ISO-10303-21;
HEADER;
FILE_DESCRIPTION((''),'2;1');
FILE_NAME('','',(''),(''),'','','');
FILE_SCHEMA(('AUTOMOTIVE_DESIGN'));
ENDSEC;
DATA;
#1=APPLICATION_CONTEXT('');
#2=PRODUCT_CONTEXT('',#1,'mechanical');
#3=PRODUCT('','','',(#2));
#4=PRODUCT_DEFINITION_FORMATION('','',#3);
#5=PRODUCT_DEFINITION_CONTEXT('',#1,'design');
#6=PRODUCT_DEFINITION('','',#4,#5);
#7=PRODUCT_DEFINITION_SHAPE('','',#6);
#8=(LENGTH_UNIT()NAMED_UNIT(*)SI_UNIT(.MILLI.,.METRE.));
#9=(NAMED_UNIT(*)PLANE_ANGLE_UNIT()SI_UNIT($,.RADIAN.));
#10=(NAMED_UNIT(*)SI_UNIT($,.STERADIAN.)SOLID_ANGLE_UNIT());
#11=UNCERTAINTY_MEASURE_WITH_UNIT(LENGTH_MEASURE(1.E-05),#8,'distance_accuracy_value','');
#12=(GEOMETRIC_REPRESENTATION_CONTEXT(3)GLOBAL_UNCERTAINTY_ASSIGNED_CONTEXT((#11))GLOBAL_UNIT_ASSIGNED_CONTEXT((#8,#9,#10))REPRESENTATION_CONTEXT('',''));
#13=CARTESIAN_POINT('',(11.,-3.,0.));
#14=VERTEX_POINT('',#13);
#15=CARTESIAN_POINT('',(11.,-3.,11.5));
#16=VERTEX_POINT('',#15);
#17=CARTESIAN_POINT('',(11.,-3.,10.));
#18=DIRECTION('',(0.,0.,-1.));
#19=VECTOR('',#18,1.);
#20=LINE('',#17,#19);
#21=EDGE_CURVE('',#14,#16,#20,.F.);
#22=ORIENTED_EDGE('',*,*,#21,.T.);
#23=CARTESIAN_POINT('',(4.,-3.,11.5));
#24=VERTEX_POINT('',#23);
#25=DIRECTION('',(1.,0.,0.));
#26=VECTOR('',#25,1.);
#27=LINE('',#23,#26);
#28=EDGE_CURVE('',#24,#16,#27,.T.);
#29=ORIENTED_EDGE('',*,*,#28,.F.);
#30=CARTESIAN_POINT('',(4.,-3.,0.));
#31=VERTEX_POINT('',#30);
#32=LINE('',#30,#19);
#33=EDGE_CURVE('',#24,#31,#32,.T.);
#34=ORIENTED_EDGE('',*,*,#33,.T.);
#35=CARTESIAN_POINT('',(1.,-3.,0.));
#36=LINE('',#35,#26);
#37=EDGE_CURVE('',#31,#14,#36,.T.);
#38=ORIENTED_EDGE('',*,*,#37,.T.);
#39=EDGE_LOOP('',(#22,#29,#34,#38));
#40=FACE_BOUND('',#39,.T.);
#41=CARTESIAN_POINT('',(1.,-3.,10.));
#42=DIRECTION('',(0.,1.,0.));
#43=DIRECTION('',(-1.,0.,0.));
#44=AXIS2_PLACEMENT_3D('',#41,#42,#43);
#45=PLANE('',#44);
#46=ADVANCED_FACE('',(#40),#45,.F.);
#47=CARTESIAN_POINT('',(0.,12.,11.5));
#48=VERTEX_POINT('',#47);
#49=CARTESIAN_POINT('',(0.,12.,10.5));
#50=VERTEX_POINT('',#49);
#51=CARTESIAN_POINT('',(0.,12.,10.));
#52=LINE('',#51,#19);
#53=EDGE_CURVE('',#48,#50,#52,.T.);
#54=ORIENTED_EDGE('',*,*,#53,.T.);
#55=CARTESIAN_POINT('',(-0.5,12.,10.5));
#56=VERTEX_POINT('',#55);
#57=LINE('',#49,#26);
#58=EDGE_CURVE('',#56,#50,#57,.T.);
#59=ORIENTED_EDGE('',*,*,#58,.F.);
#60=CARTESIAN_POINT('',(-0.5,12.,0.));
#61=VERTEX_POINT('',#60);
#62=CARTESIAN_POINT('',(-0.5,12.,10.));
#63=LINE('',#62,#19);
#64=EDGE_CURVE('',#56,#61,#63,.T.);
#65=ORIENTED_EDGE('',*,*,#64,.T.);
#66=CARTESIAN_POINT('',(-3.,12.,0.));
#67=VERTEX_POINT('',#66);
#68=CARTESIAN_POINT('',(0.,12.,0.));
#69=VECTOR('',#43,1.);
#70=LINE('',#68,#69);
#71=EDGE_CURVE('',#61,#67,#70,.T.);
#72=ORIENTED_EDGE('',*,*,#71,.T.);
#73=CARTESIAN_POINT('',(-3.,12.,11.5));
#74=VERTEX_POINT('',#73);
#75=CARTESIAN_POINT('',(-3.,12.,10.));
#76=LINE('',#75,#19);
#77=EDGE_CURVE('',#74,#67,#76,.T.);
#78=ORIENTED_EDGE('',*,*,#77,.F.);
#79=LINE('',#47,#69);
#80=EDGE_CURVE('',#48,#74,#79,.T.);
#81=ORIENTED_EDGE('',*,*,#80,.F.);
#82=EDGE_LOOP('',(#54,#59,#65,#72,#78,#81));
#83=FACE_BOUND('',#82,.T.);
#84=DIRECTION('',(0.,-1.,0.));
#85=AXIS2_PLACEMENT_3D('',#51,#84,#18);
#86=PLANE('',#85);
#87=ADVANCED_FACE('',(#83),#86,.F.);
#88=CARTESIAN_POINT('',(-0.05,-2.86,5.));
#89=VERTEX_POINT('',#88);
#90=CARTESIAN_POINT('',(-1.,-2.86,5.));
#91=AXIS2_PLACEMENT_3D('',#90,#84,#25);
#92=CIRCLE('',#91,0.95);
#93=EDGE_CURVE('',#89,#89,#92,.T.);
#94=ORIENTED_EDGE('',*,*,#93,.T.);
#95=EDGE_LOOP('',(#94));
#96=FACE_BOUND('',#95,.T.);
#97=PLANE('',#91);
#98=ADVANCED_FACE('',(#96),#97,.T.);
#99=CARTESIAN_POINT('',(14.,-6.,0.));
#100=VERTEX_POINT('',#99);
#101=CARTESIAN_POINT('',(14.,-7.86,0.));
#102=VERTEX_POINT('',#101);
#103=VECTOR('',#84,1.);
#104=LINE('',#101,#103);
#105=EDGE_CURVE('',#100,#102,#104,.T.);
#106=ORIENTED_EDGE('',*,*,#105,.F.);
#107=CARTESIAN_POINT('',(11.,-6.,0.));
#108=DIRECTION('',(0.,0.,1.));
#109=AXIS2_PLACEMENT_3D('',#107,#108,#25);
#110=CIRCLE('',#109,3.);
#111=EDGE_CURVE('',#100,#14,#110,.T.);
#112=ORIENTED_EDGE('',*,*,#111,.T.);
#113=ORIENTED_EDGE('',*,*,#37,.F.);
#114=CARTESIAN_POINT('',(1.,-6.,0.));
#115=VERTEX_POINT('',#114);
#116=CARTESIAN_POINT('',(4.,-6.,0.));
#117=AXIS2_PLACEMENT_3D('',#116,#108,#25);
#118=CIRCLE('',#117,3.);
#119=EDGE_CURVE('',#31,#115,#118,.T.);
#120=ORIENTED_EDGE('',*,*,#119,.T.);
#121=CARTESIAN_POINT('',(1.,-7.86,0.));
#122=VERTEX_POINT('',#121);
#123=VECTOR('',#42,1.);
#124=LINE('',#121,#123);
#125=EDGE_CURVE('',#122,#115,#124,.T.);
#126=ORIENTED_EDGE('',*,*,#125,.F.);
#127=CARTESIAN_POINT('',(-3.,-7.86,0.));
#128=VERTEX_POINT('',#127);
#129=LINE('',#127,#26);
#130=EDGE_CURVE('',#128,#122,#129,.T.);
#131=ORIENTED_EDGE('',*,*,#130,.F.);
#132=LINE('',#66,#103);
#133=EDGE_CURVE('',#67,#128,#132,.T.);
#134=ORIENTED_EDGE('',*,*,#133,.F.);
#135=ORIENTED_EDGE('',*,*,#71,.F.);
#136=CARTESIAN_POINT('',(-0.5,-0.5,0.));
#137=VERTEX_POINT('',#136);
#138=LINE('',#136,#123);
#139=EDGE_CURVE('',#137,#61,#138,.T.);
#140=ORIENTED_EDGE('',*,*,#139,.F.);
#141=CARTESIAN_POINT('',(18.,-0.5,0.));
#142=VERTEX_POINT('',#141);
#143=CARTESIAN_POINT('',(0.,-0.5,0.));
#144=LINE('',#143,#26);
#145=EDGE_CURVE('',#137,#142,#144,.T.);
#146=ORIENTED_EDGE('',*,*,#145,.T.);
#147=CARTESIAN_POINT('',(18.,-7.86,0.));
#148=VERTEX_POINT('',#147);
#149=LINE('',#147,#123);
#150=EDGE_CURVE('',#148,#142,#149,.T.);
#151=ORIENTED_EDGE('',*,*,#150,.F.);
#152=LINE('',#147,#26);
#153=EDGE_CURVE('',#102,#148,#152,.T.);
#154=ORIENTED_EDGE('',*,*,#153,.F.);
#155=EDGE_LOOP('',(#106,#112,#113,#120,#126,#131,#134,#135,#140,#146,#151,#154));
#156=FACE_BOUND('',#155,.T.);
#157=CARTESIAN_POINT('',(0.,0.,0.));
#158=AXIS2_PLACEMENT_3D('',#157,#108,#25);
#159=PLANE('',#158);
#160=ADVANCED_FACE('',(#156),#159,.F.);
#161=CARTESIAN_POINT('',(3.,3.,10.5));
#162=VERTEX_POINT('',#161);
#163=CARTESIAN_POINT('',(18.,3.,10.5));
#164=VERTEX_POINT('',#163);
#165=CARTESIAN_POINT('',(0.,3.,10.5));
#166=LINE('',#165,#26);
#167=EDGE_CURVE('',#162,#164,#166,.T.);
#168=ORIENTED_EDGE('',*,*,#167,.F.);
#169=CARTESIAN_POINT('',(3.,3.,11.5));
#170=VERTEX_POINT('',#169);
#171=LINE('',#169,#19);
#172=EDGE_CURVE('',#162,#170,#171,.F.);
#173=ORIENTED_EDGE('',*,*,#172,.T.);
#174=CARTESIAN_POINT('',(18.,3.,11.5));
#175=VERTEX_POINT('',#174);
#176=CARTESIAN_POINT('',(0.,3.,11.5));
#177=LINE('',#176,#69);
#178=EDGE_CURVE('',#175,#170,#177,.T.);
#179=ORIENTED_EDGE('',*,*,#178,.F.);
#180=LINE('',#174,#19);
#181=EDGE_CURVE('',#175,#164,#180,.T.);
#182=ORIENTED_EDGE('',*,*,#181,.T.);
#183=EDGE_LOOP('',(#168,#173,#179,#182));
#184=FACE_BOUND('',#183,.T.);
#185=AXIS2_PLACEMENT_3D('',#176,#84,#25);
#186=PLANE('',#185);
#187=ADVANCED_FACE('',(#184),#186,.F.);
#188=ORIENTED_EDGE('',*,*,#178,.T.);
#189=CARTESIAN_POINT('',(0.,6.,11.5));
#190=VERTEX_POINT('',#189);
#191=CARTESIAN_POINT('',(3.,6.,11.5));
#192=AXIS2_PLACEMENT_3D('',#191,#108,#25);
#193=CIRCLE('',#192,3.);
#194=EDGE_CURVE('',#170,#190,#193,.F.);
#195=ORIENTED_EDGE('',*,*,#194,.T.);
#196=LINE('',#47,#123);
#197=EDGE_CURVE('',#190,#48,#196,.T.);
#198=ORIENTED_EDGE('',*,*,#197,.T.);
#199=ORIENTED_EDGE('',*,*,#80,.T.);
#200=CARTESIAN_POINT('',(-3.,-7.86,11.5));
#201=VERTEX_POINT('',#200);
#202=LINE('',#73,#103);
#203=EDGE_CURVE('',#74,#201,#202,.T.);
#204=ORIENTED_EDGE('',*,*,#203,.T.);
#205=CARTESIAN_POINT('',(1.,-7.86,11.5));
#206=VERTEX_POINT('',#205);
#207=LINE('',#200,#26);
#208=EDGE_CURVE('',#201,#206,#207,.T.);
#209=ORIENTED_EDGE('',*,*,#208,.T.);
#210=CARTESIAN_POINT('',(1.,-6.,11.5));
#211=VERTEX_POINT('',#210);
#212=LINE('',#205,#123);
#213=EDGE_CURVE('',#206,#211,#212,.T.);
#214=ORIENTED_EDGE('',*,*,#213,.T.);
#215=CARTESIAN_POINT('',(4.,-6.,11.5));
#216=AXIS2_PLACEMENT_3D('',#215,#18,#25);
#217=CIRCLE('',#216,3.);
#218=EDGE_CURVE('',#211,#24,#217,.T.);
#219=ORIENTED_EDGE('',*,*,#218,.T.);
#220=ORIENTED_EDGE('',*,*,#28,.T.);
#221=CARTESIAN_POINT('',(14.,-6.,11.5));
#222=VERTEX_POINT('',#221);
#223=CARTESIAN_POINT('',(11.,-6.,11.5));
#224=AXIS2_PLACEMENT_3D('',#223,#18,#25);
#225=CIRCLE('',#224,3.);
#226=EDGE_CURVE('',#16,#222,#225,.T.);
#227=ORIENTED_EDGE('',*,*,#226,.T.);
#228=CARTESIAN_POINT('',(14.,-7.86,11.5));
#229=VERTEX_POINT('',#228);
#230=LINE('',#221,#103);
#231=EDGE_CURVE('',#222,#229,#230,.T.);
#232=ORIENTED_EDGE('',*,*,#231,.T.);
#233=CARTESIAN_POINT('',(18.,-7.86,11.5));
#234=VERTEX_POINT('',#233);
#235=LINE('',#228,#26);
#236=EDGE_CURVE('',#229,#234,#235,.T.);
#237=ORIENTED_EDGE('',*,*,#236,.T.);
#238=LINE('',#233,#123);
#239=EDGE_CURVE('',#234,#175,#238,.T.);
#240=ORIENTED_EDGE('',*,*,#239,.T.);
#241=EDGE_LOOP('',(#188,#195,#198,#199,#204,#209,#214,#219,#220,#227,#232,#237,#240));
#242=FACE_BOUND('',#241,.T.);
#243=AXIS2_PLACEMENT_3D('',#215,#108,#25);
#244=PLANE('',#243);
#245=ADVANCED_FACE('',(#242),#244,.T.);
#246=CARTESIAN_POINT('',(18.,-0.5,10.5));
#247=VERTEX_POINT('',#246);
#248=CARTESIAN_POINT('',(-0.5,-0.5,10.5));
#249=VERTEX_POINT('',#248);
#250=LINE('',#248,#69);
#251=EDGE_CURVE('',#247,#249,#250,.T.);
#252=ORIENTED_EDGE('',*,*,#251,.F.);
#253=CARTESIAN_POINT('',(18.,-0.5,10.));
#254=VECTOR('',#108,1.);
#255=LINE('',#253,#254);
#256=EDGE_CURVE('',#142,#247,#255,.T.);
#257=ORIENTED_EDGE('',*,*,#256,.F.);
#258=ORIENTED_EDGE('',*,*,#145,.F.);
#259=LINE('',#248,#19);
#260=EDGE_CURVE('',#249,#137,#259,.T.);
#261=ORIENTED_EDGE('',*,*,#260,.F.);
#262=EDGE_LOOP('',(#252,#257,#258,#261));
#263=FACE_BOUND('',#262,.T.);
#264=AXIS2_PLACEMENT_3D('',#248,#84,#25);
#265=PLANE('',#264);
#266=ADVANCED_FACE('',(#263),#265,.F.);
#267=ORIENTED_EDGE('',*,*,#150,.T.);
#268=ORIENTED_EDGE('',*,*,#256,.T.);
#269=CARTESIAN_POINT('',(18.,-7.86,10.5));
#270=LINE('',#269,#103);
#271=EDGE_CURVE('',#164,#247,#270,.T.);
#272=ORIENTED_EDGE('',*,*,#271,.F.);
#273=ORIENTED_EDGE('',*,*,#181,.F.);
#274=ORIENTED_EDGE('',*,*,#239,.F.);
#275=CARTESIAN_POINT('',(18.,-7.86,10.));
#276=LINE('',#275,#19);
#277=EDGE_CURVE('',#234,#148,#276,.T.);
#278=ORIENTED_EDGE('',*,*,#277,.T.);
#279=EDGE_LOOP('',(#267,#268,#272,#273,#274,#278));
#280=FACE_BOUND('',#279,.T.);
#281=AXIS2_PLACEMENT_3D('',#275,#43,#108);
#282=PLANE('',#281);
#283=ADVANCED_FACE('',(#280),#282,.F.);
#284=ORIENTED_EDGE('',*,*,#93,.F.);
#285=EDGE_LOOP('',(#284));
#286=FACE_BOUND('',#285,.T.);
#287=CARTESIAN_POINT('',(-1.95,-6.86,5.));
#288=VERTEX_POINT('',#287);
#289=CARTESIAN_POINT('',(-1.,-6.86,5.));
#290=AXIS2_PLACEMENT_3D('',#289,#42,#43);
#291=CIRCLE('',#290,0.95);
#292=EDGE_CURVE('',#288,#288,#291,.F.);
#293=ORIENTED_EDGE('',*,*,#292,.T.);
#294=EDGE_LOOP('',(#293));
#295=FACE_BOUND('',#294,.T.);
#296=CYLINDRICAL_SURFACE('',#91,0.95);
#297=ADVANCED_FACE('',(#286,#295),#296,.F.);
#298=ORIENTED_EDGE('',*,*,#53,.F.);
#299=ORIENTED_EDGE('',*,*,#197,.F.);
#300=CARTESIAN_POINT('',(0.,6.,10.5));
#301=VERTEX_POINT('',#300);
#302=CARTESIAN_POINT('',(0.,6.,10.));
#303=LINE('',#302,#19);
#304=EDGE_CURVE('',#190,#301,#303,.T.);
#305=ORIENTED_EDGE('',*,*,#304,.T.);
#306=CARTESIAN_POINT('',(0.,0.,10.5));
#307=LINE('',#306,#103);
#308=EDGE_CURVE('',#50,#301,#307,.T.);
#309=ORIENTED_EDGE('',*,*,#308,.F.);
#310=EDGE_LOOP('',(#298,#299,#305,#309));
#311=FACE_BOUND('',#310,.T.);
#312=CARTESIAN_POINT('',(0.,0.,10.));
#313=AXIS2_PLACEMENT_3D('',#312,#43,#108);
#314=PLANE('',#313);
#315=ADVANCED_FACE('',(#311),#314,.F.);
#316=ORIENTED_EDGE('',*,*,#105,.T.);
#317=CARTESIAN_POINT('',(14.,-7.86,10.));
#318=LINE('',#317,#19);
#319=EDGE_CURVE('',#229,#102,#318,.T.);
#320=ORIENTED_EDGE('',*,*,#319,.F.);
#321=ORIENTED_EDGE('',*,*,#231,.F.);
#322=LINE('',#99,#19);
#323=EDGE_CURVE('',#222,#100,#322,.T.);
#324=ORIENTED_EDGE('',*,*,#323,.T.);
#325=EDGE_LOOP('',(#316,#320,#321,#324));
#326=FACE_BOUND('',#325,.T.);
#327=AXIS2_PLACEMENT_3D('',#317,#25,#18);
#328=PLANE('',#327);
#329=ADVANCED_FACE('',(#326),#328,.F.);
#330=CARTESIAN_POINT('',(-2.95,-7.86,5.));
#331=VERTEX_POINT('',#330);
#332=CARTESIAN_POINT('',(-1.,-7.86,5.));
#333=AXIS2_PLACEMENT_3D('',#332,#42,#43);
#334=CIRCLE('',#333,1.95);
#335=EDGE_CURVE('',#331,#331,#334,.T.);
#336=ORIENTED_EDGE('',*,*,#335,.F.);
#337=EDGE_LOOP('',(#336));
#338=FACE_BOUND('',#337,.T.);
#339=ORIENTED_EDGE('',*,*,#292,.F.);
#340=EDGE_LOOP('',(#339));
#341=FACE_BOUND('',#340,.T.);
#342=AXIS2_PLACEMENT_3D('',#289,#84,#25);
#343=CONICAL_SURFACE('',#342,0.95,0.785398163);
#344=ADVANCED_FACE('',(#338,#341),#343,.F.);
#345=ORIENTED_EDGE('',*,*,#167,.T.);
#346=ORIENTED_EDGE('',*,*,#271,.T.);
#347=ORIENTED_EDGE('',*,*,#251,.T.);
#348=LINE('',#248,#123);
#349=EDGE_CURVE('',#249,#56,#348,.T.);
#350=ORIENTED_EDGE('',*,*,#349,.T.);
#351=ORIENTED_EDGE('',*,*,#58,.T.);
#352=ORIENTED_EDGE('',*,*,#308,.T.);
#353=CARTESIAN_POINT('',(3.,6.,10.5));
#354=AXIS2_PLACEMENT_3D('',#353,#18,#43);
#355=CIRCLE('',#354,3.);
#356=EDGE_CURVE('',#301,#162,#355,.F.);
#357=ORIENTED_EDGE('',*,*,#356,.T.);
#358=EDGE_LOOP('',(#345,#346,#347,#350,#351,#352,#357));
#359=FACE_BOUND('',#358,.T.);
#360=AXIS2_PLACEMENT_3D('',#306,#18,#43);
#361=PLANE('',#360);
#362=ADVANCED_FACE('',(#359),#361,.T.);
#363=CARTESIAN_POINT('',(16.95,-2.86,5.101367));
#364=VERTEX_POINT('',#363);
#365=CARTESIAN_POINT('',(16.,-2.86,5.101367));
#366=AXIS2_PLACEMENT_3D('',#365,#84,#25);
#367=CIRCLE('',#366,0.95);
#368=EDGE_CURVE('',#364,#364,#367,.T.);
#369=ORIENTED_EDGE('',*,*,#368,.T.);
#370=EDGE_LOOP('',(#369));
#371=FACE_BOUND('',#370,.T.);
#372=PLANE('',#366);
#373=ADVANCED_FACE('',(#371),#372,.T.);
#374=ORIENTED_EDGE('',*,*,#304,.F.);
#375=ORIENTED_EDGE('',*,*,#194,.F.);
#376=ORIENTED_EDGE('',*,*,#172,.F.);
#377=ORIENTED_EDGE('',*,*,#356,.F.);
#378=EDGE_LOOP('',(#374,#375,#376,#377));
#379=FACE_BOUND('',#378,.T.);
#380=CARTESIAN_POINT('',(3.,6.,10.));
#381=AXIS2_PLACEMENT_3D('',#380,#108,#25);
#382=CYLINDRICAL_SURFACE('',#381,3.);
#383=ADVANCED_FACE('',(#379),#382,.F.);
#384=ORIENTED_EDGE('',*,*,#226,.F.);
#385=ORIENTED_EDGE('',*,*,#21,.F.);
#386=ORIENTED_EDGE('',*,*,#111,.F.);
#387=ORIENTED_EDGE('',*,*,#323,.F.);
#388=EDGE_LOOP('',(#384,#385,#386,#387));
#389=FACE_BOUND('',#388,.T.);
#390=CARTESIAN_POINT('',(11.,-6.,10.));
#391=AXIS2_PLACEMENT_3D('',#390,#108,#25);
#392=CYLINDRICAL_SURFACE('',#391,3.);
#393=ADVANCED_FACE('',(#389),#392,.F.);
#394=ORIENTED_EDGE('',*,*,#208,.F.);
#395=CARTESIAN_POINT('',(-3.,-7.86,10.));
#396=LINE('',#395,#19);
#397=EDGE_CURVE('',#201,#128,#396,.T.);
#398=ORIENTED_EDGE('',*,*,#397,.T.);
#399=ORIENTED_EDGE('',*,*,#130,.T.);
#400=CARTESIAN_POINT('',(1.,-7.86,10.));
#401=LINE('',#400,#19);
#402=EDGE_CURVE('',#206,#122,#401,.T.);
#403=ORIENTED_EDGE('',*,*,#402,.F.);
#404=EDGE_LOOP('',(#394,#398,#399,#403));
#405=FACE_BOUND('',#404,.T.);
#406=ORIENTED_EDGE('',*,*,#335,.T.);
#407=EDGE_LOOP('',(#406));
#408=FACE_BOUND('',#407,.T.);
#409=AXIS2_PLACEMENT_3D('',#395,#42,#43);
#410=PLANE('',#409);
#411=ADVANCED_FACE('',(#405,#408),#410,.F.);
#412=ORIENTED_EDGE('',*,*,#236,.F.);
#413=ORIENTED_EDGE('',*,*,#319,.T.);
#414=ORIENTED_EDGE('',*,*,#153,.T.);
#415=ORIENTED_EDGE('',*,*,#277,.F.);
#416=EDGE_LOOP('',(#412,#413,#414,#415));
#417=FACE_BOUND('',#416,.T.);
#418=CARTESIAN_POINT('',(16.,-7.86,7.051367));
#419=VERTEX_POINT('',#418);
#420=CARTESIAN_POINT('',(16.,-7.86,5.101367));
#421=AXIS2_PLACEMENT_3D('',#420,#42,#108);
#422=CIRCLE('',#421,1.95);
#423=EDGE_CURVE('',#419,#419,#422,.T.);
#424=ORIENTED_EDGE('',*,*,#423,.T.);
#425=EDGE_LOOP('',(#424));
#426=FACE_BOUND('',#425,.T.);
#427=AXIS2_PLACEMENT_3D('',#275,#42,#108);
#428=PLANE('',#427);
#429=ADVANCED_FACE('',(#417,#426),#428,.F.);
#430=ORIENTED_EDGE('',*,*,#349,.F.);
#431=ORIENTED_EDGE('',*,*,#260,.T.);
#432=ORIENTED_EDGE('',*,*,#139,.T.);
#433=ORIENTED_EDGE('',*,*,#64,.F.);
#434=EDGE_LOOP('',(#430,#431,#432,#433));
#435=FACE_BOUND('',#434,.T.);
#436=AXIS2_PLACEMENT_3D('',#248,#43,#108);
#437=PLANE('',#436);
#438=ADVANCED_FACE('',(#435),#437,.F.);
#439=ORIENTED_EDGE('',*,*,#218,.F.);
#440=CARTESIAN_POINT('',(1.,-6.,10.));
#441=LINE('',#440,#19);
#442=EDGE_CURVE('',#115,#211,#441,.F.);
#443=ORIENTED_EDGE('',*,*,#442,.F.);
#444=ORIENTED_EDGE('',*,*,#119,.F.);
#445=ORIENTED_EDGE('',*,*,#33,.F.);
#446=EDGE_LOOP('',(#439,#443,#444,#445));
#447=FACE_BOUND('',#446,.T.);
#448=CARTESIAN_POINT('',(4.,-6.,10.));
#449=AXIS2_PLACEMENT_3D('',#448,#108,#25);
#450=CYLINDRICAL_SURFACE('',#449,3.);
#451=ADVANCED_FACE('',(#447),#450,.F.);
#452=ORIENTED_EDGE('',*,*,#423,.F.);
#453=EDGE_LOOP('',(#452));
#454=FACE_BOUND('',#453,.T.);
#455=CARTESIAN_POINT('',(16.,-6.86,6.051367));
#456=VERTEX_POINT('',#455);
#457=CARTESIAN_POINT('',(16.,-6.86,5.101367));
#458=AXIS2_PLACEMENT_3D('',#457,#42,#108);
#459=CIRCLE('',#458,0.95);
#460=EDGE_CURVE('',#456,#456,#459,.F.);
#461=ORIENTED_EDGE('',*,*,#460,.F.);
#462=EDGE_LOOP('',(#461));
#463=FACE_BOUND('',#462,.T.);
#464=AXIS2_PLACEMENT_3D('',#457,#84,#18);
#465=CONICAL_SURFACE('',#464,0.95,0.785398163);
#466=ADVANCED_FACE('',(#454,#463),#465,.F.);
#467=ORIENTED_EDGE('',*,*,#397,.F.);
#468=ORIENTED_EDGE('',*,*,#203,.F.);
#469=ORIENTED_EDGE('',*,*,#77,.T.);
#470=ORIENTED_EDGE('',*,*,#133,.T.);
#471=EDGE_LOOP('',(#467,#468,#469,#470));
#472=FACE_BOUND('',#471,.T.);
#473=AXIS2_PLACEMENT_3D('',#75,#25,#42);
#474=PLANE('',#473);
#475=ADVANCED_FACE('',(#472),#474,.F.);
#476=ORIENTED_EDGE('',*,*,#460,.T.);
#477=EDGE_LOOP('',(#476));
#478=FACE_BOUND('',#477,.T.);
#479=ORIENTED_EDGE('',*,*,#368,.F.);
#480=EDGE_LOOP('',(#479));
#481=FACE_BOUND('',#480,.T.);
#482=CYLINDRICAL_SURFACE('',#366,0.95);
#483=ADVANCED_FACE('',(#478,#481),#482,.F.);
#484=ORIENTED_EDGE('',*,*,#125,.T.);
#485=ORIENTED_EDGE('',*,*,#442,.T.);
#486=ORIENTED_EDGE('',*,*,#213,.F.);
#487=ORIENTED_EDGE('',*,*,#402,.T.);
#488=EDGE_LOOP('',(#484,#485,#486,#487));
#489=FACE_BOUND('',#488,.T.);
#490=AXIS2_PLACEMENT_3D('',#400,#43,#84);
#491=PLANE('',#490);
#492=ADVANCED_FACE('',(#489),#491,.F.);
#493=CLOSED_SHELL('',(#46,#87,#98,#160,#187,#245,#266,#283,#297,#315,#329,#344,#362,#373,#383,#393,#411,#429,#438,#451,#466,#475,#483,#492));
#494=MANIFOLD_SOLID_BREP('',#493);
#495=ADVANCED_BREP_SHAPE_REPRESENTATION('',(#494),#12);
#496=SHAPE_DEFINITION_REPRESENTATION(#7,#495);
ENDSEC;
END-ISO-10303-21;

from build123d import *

# Parameters (mm, degrees)
EXTRUDE_1_DEPTH        = 10
SKETCH_2_R             = 0.95
CUT_EXTRUDE_1_DEPTH    = 5
FILLET_1_R             = 3
CHAMFER_2_SIZE         = 1
EXTRUDE_START          = 1.5
EXTRUDE_2_DEPTH        = 1.5
FILLET_2_R             = 3
SKETCH_5_W             = 18.894194267
SKETCH_5_H             = 13.568314004
CUT_EXTRUDE_1877_DEPTH = 10.5


with BuildPart() as part:
    # 草图1 → 凸台-拉伸1 (new body)
    with BuildSketch(Plane.XY):
        Polygon((0, 0), (18, 0), (18, -7.86), (14, -7.86), (14, -3), (1, -3), (1, -7.86), (-3, -7.86), (-3, 12), (0, 12), align=None)
    extrude(amount=EXTRUDE_1_DEPTH)

    # 草图2 → 切除-拉伸1 (cut)
    with BuildSketch(Plane.XZ.offset(7.86)):
        with Locations((-1, 5)):
            Circle(SKETCH_2_R)
        with Locations((16, 5.10136652)):
            Circle(SKETCH_2_R)
    extrude(amount=-CUT_EXTRUDE_1_DEPTH, mode=Mode.SUBTRACT)

    # 圆角1
    fillet_1_edges = [part.edges().sort_by_distance(p)[0] for p in [
        (14, -3, 5),
        (1, -3, 5),
    ]]
    fillet(fillet_1_edges, radius=FILLET_1_R)

    # 倒角2
    chamfer_2_edges = [part.edges().sort_by_distance(p)[0] for p in [
        (-1.95, -7.86, 5),
        (15.05, -7.86, 5.10136652),
    ]]
    chamfer(chamfer_2_edges, length=CHAMFER_2_SIZE)

    # 草图4 → 凸台-拉伸2 (add)
    with BuildSketch(Plane.XY.offset(10).offset(EXTRUDE_START)):
        with BuildLine():
            Line((0, 12), (0, 3))
            Line((0, 3), (18, 3))
            Line((18, 3), (18, 0))
            Line((18, 0), (18, -7.86))
            Line((18, -7.86), (14, -7.86))
            Line((14, -7.86), (14, -6))
            ThreePointArc((14, -6), (13.121320344, -3.878679656), (11, -3))
            Line((11, -3), (4, -3))
            ThreePointArc((4, -3), (1.878679656, -3.878679656), (1, -6))
            Line((1, -6), (1, -7.86))
            Line((1, -7.86), (-3, -7.86))
            Line((-3, -7.86), (-3, 12))
            Line((-3, 12), (0, 12))
        make_face()
    extrude(amount=-EXTRUDE_2_DEPTH)

    # 圆角2
    fillet_2_edges = [part.edges().sort_by_distance(p)[0] for p in [
        (0, 3, 10.75),
    ]]
    fillet(fillet_2_edges, radius=FILLET_2_R)

    # 草图5 → Cut-Extrude 1877 (cut)
    with BuildSketch(Plane(origin=(0, 0, 0), x_dir=(-1, 0, 0), z_dir=(0, 0, -1))):
        with Locations((-8.947097133, 6.284157002)):
            Rectangle(SKETCH_5_W, SKETCH_5_H)
    extrude(amount=-CUT_EXTRUDE_1877_DEPTH, mode=Mode.SUBTRACT)


solid = part.part
